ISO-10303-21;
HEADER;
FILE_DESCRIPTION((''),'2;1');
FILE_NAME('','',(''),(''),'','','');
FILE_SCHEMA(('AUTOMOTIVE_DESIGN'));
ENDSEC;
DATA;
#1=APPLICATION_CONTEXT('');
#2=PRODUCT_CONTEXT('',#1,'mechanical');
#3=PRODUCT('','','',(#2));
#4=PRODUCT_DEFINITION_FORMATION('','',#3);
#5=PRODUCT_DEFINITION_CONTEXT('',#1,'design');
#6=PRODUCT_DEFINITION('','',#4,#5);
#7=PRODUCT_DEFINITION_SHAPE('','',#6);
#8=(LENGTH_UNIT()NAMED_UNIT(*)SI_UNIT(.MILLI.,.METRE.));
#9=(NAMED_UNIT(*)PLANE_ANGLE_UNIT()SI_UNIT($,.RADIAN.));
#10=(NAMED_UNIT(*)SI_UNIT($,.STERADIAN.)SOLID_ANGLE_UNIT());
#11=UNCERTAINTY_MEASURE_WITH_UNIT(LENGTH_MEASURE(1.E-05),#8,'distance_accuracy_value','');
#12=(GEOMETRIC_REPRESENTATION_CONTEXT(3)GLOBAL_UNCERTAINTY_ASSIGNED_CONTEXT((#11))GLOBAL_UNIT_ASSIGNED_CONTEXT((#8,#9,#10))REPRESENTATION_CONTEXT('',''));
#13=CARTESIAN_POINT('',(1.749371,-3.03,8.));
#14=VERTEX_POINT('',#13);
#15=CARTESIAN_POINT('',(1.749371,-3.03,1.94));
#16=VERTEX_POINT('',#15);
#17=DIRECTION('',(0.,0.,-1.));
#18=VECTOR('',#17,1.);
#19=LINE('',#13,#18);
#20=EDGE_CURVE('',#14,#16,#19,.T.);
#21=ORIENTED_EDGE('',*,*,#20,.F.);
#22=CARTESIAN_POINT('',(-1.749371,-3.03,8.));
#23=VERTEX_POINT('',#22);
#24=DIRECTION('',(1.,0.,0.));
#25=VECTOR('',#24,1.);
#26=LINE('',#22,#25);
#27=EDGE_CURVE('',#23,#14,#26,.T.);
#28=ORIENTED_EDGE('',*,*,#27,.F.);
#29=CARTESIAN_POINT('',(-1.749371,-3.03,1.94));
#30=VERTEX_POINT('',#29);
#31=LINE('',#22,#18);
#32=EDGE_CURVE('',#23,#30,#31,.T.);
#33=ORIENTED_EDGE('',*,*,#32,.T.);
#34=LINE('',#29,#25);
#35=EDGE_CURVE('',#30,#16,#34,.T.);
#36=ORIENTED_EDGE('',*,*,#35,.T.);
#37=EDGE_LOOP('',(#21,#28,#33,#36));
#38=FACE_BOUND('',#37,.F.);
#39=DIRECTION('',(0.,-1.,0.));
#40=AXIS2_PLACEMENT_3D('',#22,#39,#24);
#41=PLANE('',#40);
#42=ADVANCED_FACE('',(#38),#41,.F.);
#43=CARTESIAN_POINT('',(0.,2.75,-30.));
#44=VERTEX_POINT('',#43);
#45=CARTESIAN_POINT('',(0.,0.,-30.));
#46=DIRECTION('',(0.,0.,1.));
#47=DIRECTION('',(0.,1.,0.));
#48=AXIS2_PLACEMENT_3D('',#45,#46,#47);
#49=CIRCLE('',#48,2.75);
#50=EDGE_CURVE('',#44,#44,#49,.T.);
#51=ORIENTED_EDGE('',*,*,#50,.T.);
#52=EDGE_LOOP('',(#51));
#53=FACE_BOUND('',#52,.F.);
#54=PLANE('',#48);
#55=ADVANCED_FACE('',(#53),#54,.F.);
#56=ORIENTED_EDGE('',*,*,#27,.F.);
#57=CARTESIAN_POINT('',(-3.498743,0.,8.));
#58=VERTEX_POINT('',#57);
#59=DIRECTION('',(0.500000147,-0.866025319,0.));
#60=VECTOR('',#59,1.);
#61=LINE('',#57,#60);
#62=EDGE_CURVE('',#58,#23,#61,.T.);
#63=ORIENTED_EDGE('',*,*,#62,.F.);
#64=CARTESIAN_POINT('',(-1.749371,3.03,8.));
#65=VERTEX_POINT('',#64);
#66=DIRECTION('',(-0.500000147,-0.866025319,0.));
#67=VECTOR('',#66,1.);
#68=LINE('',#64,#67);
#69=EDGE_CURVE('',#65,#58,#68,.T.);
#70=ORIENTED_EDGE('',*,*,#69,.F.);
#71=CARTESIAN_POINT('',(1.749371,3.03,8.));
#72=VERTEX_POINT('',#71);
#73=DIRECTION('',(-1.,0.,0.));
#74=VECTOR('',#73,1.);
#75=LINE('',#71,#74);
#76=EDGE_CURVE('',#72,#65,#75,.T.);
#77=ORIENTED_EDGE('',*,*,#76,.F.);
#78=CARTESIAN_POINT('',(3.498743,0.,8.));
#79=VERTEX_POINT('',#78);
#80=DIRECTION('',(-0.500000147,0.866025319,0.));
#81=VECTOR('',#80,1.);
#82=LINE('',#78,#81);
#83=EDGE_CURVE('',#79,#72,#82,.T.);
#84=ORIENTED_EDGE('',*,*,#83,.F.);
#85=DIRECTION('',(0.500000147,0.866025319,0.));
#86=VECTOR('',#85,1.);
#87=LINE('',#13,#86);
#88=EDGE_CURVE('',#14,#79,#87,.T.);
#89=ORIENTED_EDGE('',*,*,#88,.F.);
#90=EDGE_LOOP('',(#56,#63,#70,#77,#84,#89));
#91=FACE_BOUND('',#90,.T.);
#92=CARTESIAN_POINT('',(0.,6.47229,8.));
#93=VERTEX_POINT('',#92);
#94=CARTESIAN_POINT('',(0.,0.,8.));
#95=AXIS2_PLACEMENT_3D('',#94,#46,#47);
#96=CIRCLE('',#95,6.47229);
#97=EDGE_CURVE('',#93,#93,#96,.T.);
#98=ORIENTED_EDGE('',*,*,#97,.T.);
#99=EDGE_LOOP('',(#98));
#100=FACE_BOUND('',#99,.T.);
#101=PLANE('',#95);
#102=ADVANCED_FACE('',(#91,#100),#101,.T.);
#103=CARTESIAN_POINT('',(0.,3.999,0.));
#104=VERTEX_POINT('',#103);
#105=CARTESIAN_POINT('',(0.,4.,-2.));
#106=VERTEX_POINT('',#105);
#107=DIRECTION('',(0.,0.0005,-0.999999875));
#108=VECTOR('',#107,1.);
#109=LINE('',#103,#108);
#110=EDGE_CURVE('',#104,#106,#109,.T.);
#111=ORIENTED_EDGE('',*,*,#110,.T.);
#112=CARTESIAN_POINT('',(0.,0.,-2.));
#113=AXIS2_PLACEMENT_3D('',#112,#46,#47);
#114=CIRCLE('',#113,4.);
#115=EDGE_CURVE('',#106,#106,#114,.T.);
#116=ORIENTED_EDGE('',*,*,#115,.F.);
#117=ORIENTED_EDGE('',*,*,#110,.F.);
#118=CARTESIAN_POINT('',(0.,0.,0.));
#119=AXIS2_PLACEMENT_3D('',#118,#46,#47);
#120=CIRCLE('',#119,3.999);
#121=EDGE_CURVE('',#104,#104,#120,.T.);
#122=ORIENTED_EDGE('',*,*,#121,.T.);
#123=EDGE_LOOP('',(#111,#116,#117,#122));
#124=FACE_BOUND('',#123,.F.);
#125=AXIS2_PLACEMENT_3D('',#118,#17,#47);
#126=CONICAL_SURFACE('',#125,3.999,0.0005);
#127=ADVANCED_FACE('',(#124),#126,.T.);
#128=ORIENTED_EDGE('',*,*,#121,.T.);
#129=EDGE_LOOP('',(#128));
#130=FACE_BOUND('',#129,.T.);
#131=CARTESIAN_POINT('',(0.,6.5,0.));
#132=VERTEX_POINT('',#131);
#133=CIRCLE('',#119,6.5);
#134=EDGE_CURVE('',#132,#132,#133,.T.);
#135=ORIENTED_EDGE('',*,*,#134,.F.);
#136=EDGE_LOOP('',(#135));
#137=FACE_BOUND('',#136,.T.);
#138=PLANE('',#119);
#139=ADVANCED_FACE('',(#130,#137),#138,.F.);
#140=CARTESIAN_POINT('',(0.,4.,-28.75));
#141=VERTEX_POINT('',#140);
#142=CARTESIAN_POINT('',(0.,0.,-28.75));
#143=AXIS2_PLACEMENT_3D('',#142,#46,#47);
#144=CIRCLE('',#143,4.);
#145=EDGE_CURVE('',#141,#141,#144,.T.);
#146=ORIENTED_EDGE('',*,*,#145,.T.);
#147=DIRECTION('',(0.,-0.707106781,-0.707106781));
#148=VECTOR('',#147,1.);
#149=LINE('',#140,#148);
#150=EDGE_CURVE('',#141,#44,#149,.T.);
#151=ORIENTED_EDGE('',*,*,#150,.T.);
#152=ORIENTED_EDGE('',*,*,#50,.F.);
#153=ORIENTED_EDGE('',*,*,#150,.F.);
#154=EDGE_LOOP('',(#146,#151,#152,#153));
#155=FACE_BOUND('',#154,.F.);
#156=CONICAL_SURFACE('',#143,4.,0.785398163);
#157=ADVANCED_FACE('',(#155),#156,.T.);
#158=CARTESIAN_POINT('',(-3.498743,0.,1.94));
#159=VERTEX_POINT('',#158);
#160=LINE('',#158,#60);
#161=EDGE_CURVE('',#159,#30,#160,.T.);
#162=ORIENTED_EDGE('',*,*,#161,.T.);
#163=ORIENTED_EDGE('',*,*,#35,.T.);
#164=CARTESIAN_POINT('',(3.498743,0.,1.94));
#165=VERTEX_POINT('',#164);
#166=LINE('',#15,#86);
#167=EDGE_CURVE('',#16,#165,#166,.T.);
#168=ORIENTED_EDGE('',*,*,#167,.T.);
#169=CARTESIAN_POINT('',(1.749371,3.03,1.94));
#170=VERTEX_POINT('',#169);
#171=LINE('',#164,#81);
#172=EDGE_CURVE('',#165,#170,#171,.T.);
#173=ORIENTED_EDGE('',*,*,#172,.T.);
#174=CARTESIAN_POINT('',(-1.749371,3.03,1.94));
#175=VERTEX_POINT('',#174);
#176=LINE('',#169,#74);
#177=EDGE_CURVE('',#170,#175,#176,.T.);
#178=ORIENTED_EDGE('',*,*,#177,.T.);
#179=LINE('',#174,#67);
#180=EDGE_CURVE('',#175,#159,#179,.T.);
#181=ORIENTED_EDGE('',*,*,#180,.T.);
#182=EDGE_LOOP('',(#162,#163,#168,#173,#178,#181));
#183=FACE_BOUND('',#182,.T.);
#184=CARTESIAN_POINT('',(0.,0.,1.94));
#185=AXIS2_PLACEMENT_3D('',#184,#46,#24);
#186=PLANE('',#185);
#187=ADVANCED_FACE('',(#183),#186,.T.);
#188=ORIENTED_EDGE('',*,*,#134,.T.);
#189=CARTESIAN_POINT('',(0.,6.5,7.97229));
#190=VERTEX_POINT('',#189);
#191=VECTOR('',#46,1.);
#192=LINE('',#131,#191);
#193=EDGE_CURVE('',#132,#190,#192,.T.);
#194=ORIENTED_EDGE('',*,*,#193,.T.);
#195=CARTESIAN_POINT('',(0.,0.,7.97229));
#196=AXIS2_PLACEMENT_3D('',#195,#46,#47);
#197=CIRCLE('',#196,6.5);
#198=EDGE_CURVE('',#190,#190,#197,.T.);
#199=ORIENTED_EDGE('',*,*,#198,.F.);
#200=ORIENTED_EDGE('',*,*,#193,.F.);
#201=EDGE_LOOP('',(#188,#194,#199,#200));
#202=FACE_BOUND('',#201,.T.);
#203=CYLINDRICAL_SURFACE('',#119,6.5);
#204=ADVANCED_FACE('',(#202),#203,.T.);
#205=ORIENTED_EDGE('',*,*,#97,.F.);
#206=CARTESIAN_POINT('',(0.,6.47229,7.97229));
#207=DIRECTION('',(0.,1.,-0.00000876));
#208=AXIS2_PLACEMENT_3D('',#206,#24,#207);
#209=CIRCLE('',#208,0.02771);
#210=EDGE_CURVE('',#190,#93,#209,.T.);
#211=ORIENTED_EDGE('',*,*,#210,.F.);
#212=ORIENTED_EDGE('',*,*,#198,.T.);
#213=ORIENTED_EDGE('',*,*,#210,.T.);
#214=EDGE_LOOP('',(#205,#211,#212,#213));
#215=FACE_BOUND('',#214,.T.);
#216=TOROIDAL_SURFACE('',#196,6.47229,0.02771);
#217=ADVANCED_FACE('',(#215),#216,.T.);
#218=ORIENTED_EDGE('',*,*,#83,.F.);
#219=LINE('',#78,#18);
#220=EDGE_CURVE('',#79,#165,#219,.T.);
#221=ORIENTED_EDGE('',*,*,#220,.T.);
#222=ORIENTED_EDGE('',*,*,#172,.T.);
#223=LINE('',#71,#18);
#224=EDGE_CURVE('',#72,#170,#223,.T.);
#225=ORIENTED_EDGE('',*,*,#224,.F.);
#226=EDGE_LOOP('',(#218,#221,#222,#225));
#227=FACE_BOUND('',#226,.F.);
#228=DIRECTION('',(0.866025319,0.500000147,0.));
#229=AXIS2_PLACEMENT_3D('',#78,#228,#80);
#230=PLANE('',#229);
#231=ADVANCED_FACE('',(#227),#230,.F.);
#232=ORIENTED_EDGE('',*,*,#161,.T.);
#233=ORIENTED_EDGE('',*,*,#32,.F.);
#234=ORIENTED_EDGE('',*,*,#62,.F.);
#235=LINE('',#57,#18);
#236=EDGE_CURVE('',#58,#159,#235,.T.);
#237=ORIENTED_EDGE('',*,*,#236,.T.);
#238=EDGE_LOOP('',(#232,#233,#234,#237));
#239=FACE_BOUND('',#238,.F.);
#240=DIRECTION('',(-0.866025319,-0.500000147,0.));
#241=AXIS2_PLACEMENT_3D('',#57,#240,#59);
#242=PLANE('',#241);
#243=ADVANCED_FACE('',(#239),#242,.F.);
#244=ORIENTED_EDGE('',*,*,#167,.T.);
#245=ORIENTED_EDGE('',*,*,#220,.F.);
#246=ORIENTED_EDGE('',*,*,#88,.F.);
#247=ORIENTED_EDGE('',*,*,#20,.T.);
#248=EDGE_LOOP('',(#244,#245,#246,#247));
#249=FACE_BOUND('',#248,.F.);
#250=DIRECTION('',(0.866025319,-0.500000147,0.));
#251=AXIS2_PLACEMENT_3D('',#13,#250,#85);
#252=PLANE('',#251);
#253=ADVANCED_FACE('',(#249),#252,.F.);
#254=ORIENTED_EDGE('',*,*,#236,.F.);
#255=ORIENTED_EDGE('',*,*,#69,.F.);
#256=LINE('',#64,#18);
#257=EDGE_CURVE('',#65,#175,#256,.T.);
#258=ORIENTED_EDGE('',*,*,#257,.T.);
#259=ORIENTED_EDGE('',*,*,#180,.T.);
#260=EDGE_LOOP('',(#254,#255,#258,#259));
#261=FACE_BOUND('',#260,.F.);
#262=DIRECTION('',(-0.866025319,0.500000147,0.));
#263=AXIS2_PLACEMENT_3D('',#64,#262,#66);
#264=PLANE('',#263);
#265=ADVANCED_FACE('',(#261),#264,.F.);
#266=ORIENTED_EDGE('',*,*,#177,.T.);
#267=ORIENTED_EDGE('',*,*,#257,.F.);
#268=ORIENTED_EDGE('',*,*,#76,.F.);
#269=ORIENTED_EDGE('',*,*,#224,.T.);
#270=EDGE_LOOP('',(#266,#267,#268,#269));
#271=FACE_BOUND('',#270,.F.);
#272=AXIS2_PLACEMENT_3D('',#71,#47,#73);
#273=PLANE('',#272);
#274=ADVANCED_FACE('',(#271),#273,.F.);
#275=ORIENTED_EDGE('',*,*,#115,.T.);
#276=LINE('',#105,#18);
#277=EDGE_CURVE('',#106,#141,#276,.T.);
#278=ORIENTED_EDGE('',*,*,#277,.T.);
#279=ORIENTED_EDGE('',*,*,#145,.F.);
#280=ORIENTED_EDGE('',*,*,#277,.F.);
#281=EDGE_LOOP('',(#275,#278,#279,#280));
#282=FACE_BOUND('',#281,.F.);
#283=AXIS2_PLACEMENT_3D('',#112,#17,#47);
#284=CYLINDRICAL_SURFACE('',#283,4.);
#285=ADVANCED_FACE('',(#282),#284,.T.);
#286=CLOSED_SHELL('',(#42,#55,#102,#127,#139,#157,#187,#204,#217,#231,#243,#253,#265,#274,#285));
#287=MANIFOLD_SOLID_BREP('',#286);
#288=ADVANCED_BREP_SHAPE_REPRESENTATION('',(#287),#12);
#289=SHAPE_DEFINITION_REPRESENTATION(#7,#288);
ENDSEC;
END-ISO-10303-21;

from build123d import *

# Parameters (mm, degrees)
POCKET_DEPTH = 6.06


with BuildPart() as part:
    # Sketch → Revolve (revolve)
    with BuildSketch(Plane.YZ):
        with BuildLine():
            Line((3.999, 0), (6.5, 0))
            Line((6.5, 0), (6.5, 7.97229))
            ThreePointArc((6.5, 7.97229), (6.491884, 7.991884), (6.47229, 8))
            Line((6.47229, 8), (0, 8))
            Line((0, -30), (0, 8))
            Line((2.75, -30), (0, -30))
            Line((4, -28.75), (2.75, -30))
            Line((4, -2), (4, -28.75))
            Line((3.999, 0), (4, -2))
        make_face()
    revolve(axis=Axis((0, 0, 0), (0, 0, 1)))

    # Sketch001 → Pocket (cut)
    with BuildSketch(Plane.XY.offset(8)):
        Polygon((3.498743, 0), (1.749371, 3.03), (-1.749371, 3.03), (-3.498743, 0), (-1.749371, -3.03), (1.749371, -3.03), align=None)
    extrude(amount=-POCKET_DEPTH, mode=Mode.SUBTRACT)


solid = part.part
